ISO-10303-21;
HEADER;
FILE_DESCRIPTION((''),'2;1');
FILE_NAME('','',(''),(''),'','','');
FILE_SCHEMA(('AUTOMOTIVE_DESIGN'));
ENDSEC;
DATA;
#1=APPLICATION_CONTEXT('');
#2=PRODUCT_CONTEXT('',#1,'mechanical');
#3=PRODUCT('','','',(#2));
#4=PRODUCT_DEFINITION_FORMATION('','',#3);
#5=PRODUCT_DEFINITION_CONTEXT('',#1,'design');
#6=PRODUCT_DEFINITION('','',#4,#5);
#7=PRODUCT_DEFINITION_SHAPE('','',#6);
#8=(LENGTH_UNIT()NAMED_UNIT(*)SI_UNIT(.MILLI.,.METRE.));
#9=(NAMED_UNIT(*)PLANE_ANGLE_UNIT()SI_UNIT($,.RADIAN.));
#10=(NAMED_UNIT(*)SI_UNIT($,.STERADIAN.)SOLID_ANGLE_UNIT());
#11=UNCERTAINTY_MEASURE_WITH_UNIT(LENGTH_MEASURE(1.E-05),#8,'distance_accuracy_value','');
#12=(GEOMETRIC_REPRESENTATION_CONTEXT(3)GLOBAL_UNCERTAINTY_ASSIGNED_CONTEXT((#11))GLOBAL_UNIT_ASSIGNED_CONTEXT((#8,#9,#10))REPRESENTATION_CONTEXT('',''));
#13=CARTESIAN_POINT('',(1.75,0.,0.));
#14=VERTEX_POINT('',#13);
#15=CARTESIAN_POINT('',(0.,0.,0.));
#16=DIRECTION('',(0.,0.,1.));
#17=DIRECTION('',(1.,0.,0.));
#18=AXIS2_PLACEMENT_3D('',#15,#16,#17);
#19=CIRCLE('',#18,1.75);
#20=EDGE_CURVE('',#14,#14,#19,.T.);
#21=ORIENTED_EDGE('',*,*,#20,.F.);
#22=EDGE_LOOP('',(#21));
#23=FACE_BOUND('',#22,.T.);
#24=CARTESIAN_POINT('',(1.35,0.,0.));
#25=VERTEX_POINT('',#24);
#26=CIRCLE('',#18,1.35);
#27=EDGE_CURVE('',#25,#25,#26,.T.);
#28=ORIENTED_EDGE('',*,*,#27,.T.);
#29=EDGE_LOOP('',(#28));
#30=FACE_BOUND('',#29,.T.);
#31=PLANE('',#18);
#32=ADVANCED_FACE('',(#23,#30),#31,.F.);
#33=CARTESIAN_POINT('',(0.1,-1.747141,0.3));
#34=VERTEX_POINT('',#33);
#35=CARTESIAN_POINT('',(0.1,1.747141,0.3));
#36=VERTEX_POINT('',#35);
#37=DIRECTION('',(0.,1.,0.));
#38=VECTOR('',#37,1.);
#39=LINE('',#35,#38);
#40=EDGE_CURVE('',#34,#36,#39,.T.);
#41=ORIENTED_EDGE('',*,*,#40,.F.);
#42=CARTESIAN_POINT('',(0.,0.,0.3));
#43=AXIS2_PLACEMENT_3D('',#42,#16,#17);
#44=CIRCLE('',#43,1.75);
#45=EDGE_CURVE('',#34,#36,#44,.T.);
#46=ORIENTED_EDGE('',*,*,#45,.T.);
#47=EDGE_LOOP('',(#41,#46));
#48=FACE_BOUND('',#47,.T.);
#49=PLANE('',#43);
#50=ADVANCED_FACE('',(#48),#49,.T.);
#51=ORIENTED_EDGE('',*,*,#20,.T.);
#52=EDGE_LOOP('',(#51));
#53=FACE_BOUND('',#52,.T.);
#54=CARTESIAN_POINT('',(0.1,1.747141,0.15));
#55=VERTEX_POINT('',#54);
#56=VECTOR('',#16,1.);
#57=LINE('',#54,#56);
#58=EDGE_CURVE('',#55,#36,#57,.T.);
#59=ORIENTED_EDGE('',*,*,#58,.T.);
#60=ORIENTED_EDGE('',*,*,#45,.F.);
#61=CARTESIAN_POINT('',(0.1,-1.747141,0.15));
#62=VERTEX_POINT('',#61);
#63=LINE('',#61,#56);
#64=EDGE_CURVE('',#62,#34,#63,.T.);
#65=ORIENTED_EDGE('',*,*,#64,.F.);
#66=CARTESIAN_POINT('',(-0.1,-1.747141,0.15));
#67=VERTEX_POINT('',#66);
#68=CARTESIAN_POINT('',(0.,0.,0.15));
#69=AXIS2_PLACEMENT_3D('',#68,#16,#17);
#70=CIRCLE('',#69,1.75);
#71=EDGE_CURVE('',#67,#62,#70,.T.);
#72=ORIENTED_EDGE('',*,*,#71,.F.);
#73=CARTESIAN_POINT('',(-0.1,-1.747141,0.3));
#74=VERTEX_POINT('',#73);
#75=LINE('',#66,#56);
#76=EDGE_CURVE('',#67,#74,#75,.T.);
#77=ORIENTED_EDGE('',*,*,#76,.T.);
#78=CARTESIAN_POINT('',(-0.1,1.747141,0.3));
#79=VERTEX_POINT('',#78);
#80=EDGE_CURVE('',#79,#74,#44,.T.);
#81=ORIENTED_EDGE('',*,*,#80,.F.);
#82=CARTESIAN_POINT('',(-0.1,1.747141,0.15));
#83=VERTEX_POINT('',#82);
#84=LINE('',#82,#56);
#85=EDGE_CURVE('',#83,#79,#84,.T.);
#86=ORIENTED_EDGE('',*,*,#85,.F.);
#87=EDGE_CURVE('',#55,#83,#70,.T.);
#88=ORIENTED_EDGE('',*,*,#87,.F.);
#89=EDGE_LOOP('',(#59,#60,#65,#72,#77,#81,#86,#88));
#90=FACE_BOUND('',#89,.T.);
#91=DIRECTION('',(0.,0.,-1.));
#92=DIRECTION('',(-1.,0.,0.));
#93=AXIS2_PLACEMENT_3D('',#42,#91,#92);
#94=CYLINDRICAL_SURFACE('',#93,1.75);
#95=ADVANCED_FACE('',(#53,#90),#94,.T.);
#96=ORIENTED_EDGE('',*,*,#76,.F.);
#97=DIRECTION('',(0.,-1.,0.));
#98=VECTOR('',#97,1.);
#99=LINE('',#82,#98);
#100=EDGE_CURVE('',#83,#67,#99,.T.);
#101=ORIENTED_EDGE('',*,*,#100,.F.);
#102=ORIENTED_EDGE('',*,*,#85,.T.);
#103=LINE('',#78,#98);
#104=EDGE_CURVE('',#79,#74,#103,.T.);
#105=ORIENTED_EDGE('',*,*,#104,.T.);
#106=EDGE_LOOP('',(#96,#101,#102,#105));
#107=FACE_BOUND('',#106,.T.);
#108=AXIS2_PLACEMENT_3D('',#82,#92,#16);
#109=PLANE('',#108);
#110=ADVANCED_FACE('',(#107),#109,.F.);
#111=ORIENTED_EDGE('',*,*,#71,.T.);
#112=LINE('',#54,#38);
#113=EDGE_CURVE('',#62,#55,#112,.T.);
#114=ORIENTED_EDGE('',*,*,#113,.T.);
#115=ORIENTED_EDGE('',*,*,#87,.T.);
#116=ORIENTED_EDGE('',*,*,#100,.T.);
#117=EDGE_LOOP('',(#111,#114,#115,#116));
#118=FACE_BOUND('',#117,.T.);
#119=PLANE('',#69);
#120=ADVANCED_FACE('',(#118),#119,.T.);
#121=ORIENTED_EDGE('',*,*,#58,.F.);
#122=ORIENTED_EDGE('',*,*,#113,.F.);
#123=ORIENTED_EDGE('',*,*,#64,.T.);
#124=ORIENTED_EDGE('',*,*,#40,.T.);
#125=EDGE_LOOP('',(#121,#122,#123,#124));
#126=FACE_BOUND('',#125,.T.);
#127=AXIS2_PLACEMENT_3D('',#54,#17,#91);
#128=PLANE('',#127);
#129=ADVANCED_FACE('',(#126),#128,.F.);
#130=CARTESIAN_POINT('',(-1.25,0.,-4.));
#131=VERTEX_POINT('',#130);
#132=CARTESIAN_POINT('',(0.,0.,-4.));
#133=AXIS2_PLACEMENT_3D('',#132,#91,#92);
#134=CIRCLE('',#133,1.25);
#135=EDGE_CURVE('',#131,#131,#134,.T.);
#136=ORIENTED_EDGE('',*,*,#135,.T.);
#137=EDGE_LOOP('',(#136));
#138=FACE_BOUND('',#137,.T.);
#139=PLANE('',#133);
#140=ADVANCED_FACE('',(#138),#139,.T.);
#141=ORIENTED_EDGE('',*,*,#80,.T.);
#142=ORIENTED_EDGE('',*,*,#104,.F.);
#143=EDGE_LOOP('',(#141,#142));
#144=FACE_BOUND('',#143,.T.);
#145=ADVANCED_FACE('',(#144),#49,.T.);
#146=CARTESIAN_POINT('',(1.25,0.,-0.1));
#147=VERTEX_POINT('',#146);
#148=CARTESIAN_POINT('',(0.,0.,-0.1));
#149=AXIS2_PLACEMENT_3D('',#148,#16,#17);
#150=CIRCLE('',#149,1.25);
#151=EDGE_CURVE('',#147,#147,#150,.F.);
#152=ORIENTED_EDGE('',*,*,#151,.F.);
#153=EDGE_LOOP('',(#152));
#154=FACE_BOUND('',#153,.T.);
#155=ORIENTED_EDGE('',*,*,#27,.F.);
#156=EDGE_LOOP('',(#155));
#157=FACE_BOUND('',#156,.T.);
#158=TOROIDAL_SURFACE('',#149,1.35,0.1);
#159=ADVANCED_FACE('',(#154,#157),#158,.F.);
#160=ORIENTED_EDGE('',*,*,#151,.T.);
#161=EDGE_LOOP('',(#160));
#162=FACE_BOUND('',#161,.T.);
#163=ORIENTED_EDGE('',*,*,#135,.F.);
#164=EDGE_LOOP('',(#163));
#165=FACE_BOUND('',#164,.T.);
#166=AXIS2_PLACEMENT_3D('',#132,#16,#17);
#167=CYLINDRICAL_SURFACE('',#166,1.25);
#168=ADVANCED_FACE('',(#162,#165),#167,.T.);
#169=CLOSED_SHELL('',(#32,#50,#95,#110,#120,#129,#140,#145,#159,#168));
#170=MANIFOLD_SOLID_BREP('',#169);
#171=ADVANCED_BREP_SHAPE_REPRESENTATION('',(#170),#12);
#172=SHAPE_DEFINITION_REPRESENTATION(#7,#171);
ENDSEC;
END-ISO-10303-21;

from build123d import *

# Parameters (mm, degrees)
CROQUIS1_R              = 1.75
SALIENTE_EXTRUIR1_DEPTH = 0.3
CORTAR_EXTRUIR1_DEPTH   = 0.15
CROQUIS3_R              = 1.25
SALIENTE_EXTRUIR2_DEPTH = 4
REDONDEO1_R             = 0.1


with BuildPart() as part:
    # Croquis1 → Saliente-Extruir1 (new body)
    with BuildSketch(Plane.XY):
        Circle(CROQUIS1_R)
    extrude(amount=SALIENTE_EXTRUIR1_DEPTH)

    # Croquis2 → Cortar-Extruir1 (cut)
    with BuildSketch(Plane.XY.offset(0.3)):
        with BuildLine():
            Line((0.1, 1.747140521), (0.1, -1.747140521))
            ThreePointArc((0.1, -1.747140521), (0, -1.75), (-0.1, -1.747140521))
            Line((-0.1, -1.747140521), (-0.1, 1.747140521))
            ThreePointArc((-0.1, 1.747140521), (0, 1.75), (0.1, 1.747140521))
        make_face()
    extrude(amount=-CORTAR_EXTRUIR1_DEPTH, mode=Mode.SUBTRACT)

    # Croquis3 → Saliente-Extruir2 (add)
    with BuildSketch(Plane(origin=(0, 0, 0), x_dir=(-1, 0, 0), z_dir=(0, 0, -1))):
        Circle(CROQUIS3_R)
    extrude(amount=SALIENTE_EXTRUIR2_DEPTH)

    # Redondeo1
    redondeo1_edges = [part.edges().sort_by_distance(p)[0] for p in [
        (1.25, 0, 0),
    ]]
    fillet(redondeo1_edges, radius=REDONDEO1_R)


solid = part.part
